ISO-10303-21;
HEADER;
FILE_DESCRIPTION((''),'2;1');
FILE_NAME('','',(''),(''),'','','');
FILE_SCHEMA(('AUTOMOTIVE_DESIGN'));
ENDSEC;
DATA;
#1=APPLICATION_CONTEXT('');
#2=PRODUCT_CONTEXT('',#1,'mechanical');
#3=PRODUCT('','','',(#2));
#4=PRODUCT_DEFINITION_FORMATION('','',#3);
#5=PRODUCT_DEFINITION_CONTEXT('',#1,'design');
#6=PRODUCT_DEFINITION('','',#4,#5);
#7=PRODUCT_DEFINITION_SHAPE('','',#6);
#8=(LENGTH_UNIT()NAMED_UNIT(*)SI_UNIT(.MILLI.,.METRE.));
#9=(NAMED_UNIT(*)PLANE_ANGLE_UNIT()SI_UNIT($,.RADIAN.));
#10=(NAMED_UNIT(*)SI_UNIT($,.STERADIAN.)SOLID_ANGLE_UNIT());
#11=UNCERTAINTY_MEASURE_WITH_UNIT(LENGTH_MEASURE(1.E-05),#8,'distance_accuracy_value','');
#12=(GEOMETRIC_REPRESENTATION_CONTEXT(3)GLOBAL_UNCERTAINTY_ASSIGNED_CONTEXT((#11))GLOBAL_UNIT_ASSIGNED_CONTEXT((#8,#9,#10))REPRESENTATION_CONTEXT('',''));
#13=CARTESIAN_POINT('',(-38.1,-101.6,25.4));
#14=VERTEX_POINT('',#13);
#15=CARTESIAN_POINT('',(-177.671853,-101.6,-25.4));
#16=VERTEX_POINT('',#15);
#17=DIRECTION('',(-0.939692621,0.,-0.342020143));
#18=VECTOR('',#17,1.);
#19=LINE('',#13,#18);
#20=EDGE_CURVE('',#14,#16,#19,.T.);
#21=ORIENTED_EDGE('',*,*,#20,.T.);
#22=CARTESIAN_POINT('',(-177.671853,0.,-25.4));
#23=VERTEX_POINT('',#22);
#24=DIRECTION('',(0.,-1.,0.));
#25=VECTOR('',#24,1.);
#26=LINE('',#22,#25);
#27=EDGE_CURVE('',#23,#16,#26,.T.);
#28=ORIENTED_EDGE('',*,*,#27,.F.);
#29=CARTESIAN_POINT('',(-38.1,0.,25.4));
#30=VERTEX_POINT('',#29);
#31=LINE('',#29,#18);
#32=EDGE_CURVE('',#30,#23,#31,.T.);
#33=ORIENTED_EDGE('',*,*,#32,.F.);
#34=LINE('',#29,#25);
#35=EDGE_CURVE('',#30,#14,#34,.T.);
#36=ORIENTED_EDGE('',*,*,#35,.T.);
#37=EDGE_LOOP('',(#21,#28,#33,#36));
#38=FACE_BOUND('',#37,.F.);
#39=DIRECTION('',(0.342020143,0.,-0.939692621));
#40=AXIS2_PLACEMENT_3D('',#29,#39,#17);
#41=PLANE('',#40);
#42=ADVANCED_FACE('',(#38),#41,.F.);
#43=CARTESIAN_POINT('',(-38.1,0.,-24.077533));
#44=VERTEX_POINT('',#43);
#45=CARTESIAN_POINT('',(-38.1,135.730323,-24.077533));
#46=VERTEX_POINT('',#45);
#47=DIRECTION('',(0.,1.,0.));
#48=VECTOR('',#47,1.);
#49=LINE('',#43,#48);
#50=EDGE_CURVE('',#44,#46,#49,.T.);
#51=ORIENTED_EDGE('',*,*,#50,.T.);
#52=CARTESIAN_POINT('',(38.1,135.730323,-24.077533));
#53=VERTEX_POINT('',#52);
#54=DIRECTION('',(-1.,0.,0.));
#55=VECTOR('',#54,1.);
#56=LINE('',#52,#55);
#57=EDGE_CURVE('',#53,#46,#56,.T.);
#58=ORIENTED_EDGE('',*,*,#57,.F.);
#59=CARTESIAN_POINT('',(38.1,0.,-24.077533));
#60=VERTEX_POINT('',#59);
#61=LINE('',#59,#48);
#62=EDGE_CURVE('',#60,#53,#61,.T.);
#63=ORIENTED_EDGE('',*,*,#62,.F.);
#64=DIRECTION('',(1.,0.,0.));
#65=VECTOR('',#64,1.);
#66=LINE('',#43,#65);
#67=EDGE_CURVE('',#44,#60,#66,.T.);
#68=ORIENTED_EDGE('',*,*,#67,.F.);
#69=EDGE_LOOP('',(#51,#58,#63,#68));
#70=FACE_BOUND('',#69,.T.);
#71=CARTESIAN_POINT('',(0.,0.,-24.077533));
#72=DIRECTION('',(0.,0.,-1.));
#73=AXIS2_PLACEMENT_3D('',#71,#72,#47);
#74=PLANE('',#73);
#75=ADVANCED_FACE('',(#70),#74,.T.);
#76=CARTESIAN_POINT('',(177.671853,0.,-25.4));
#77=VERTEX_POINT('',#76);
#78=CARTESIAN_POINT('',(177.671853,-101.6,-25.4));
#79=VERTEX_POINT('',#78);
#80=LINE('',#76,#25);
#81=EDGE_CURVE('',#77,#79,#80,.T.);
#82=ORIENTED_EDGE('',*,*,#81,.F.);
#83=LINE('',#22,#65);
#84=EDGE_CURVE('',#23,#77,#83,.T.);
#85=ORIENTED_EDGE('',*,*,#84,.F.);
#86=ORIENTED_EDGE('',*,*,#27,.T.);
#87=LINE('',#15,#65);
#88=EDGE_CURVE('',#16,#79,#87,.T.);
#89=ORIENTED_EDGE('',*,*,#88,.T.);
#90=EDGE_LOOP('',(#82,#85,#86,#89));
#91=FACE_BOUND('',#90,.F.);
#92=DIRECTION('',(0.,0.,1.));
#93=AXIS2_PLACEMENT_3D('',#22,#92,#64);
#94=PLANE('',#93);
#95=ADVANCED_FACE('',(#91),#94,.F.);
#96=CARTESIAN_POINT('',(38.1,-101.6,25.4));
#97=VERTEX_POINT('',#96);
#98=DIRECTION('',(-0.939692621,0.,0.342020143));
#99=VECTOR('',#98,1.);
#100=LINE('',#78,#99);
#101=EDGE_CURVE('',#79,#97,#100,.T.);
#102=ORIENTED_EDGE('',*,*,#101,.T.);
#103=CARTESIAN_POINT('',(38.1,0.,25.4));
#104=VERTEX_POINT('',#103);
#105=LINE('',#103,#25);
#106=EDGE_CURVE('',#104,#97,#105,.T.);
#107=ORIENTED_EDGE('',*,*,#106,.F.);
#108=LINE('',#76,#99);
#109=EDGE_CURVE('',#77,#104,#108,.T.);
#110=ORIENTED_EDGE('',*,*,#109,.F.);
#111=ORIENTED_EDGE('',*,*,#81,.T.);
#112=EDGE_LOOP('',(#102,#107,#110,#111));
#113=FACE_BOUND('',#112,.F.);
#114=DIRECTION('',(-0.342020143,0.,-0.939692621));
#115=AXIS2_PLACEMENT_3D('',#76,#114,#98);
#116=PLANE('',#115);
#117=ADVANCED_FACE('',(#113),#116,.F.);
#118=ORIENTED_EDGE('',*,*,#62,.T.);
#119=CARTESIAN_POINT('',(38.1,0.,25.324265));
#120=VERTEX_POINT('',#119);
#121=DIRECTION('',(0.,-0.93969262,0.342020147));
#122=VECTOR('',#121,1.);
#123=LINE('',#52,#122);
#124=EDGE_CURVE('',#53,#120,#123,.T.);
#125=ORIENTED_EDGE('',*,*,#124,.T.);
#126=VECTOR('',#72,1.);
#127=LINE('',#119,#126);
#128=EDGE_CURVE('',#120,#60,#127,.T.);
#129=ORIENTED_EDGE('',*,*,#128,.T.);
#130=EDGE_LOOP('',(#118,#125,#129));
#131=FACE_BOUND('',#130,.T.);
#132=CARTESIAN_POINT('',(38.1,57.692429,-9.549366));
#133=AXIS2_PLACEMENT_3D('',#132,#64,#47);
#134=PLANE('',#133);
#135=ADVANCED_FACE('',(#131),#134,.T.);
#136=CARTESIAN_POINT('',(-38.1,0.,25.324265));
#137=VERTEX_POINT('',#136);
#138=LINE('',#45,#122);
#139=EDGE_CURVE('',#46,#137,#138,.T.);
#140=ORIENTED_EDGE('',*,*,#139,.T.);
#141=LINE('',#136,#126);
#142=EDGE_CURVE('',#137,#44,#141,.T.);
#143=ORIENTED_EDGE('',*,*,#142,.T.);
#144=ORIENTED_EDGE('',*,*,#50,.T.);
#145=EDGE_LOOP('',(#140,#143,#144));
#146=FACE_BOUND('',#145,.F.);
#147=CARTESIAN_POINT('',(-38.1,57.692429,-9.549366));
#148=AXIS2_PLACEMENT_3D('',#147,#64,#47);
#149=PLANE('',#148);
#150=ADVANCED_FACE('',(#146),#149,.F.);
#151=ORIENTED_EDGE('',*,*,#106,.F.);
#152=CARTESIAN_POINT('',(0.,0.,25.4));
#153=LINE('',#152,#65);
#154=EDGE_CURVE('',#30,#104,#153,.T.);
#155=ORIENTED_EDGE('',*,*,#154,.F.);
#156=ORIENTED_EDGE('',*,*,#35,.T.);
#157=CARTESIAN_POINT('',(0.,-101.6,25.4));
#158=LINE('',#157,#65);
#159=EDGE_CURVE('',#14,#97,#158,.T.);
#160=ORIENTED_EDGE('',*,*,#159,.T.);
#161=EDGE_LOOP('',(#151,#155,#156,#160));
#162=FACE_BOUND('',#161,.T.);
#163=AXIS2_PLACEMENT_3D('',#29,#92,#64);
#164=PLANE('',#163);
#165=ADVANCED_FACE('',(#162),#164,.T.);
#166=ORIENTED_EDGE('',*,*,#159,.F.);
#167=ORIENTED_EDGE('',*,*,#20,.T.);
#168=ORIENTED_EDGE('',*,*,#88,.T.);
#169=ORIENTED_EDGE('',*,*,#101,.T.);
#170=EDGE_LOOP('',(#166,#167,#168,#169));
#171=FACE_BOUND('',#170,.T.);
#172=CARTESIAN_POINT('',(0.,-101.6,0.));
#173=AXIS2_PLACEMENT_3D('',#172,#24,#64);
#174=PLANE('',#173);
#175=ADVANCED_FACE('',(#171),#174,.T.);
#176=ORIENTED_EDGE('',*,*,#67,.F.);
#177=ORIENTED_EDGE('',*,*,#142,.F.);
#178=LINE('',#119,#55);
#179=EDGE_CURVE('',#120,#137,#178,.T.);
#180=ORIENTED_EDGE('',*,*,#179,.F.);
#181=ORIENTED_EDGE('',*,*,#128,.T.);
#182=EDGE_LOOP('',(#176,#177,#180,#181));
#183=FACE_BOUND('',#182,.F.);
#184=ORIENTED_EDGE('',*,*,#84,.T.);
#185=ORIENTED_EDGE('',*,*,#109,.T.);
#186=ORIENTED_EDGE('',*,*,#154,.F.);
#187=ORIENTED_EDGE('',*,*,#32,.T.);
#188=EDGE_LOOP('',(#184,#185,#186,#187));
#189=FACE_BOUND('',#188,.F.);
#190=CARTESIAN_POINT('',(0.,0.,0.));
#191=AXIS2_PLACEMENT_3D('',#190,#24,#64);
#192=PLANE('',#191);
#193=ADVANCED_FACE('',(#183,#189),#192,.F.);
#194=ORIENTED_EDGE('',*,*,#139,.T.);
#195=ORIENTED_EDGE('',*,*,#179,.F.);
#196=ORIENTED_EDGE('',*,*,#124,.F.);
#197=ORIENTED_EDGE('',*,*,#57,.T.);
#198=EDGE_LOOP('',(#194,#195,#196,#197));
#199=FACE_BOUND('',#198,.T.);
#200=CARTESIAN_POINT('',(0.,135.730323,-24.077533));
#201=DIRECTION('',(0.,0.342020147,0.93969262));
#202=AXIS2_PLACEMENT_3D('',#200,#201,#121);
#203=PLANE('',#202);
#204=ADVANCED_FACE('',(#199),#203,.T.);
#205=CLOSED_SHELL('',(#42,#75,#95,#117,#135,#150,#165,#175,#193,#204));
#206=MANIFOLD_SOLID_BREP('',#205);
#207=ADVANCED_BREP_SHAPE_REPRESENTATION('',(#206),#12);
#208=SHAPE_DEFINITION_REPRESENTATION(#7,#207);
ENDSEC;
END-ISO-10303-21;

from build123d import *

# Parameters (mm, degrees)
F0_W     = 76.2
F0_H     = 50.8
F1_DEPTH = 101.6
F3_DEPTH = 38.1


with BuildPart() as f1:
    # F0 (on Front) → F1 (new body)
    with BuildSketch(Plane.XZ):
        Rectangle(F0_W, F0_H)
        Polygon((-177.671853, -25.4), (-38.1, -25.4), (-38.1, 25.4), align=None)
        Polygon((38.1, 25.4), (38.1, -25.4), (177.671853, -25.4), align=None)
    extrude(amount=F1_DEPTH)

    # F2 (on Right) → F3 (join, symmetric)
    with BuildSketch(Plane.YZ):
        Polygon((0, 25.324265), (0, 0), (0, -24.077533), (135.730323, -24.077533), align=None)
    extrude(amount=F3_DEPTH, both=True)


solid = f1.part
